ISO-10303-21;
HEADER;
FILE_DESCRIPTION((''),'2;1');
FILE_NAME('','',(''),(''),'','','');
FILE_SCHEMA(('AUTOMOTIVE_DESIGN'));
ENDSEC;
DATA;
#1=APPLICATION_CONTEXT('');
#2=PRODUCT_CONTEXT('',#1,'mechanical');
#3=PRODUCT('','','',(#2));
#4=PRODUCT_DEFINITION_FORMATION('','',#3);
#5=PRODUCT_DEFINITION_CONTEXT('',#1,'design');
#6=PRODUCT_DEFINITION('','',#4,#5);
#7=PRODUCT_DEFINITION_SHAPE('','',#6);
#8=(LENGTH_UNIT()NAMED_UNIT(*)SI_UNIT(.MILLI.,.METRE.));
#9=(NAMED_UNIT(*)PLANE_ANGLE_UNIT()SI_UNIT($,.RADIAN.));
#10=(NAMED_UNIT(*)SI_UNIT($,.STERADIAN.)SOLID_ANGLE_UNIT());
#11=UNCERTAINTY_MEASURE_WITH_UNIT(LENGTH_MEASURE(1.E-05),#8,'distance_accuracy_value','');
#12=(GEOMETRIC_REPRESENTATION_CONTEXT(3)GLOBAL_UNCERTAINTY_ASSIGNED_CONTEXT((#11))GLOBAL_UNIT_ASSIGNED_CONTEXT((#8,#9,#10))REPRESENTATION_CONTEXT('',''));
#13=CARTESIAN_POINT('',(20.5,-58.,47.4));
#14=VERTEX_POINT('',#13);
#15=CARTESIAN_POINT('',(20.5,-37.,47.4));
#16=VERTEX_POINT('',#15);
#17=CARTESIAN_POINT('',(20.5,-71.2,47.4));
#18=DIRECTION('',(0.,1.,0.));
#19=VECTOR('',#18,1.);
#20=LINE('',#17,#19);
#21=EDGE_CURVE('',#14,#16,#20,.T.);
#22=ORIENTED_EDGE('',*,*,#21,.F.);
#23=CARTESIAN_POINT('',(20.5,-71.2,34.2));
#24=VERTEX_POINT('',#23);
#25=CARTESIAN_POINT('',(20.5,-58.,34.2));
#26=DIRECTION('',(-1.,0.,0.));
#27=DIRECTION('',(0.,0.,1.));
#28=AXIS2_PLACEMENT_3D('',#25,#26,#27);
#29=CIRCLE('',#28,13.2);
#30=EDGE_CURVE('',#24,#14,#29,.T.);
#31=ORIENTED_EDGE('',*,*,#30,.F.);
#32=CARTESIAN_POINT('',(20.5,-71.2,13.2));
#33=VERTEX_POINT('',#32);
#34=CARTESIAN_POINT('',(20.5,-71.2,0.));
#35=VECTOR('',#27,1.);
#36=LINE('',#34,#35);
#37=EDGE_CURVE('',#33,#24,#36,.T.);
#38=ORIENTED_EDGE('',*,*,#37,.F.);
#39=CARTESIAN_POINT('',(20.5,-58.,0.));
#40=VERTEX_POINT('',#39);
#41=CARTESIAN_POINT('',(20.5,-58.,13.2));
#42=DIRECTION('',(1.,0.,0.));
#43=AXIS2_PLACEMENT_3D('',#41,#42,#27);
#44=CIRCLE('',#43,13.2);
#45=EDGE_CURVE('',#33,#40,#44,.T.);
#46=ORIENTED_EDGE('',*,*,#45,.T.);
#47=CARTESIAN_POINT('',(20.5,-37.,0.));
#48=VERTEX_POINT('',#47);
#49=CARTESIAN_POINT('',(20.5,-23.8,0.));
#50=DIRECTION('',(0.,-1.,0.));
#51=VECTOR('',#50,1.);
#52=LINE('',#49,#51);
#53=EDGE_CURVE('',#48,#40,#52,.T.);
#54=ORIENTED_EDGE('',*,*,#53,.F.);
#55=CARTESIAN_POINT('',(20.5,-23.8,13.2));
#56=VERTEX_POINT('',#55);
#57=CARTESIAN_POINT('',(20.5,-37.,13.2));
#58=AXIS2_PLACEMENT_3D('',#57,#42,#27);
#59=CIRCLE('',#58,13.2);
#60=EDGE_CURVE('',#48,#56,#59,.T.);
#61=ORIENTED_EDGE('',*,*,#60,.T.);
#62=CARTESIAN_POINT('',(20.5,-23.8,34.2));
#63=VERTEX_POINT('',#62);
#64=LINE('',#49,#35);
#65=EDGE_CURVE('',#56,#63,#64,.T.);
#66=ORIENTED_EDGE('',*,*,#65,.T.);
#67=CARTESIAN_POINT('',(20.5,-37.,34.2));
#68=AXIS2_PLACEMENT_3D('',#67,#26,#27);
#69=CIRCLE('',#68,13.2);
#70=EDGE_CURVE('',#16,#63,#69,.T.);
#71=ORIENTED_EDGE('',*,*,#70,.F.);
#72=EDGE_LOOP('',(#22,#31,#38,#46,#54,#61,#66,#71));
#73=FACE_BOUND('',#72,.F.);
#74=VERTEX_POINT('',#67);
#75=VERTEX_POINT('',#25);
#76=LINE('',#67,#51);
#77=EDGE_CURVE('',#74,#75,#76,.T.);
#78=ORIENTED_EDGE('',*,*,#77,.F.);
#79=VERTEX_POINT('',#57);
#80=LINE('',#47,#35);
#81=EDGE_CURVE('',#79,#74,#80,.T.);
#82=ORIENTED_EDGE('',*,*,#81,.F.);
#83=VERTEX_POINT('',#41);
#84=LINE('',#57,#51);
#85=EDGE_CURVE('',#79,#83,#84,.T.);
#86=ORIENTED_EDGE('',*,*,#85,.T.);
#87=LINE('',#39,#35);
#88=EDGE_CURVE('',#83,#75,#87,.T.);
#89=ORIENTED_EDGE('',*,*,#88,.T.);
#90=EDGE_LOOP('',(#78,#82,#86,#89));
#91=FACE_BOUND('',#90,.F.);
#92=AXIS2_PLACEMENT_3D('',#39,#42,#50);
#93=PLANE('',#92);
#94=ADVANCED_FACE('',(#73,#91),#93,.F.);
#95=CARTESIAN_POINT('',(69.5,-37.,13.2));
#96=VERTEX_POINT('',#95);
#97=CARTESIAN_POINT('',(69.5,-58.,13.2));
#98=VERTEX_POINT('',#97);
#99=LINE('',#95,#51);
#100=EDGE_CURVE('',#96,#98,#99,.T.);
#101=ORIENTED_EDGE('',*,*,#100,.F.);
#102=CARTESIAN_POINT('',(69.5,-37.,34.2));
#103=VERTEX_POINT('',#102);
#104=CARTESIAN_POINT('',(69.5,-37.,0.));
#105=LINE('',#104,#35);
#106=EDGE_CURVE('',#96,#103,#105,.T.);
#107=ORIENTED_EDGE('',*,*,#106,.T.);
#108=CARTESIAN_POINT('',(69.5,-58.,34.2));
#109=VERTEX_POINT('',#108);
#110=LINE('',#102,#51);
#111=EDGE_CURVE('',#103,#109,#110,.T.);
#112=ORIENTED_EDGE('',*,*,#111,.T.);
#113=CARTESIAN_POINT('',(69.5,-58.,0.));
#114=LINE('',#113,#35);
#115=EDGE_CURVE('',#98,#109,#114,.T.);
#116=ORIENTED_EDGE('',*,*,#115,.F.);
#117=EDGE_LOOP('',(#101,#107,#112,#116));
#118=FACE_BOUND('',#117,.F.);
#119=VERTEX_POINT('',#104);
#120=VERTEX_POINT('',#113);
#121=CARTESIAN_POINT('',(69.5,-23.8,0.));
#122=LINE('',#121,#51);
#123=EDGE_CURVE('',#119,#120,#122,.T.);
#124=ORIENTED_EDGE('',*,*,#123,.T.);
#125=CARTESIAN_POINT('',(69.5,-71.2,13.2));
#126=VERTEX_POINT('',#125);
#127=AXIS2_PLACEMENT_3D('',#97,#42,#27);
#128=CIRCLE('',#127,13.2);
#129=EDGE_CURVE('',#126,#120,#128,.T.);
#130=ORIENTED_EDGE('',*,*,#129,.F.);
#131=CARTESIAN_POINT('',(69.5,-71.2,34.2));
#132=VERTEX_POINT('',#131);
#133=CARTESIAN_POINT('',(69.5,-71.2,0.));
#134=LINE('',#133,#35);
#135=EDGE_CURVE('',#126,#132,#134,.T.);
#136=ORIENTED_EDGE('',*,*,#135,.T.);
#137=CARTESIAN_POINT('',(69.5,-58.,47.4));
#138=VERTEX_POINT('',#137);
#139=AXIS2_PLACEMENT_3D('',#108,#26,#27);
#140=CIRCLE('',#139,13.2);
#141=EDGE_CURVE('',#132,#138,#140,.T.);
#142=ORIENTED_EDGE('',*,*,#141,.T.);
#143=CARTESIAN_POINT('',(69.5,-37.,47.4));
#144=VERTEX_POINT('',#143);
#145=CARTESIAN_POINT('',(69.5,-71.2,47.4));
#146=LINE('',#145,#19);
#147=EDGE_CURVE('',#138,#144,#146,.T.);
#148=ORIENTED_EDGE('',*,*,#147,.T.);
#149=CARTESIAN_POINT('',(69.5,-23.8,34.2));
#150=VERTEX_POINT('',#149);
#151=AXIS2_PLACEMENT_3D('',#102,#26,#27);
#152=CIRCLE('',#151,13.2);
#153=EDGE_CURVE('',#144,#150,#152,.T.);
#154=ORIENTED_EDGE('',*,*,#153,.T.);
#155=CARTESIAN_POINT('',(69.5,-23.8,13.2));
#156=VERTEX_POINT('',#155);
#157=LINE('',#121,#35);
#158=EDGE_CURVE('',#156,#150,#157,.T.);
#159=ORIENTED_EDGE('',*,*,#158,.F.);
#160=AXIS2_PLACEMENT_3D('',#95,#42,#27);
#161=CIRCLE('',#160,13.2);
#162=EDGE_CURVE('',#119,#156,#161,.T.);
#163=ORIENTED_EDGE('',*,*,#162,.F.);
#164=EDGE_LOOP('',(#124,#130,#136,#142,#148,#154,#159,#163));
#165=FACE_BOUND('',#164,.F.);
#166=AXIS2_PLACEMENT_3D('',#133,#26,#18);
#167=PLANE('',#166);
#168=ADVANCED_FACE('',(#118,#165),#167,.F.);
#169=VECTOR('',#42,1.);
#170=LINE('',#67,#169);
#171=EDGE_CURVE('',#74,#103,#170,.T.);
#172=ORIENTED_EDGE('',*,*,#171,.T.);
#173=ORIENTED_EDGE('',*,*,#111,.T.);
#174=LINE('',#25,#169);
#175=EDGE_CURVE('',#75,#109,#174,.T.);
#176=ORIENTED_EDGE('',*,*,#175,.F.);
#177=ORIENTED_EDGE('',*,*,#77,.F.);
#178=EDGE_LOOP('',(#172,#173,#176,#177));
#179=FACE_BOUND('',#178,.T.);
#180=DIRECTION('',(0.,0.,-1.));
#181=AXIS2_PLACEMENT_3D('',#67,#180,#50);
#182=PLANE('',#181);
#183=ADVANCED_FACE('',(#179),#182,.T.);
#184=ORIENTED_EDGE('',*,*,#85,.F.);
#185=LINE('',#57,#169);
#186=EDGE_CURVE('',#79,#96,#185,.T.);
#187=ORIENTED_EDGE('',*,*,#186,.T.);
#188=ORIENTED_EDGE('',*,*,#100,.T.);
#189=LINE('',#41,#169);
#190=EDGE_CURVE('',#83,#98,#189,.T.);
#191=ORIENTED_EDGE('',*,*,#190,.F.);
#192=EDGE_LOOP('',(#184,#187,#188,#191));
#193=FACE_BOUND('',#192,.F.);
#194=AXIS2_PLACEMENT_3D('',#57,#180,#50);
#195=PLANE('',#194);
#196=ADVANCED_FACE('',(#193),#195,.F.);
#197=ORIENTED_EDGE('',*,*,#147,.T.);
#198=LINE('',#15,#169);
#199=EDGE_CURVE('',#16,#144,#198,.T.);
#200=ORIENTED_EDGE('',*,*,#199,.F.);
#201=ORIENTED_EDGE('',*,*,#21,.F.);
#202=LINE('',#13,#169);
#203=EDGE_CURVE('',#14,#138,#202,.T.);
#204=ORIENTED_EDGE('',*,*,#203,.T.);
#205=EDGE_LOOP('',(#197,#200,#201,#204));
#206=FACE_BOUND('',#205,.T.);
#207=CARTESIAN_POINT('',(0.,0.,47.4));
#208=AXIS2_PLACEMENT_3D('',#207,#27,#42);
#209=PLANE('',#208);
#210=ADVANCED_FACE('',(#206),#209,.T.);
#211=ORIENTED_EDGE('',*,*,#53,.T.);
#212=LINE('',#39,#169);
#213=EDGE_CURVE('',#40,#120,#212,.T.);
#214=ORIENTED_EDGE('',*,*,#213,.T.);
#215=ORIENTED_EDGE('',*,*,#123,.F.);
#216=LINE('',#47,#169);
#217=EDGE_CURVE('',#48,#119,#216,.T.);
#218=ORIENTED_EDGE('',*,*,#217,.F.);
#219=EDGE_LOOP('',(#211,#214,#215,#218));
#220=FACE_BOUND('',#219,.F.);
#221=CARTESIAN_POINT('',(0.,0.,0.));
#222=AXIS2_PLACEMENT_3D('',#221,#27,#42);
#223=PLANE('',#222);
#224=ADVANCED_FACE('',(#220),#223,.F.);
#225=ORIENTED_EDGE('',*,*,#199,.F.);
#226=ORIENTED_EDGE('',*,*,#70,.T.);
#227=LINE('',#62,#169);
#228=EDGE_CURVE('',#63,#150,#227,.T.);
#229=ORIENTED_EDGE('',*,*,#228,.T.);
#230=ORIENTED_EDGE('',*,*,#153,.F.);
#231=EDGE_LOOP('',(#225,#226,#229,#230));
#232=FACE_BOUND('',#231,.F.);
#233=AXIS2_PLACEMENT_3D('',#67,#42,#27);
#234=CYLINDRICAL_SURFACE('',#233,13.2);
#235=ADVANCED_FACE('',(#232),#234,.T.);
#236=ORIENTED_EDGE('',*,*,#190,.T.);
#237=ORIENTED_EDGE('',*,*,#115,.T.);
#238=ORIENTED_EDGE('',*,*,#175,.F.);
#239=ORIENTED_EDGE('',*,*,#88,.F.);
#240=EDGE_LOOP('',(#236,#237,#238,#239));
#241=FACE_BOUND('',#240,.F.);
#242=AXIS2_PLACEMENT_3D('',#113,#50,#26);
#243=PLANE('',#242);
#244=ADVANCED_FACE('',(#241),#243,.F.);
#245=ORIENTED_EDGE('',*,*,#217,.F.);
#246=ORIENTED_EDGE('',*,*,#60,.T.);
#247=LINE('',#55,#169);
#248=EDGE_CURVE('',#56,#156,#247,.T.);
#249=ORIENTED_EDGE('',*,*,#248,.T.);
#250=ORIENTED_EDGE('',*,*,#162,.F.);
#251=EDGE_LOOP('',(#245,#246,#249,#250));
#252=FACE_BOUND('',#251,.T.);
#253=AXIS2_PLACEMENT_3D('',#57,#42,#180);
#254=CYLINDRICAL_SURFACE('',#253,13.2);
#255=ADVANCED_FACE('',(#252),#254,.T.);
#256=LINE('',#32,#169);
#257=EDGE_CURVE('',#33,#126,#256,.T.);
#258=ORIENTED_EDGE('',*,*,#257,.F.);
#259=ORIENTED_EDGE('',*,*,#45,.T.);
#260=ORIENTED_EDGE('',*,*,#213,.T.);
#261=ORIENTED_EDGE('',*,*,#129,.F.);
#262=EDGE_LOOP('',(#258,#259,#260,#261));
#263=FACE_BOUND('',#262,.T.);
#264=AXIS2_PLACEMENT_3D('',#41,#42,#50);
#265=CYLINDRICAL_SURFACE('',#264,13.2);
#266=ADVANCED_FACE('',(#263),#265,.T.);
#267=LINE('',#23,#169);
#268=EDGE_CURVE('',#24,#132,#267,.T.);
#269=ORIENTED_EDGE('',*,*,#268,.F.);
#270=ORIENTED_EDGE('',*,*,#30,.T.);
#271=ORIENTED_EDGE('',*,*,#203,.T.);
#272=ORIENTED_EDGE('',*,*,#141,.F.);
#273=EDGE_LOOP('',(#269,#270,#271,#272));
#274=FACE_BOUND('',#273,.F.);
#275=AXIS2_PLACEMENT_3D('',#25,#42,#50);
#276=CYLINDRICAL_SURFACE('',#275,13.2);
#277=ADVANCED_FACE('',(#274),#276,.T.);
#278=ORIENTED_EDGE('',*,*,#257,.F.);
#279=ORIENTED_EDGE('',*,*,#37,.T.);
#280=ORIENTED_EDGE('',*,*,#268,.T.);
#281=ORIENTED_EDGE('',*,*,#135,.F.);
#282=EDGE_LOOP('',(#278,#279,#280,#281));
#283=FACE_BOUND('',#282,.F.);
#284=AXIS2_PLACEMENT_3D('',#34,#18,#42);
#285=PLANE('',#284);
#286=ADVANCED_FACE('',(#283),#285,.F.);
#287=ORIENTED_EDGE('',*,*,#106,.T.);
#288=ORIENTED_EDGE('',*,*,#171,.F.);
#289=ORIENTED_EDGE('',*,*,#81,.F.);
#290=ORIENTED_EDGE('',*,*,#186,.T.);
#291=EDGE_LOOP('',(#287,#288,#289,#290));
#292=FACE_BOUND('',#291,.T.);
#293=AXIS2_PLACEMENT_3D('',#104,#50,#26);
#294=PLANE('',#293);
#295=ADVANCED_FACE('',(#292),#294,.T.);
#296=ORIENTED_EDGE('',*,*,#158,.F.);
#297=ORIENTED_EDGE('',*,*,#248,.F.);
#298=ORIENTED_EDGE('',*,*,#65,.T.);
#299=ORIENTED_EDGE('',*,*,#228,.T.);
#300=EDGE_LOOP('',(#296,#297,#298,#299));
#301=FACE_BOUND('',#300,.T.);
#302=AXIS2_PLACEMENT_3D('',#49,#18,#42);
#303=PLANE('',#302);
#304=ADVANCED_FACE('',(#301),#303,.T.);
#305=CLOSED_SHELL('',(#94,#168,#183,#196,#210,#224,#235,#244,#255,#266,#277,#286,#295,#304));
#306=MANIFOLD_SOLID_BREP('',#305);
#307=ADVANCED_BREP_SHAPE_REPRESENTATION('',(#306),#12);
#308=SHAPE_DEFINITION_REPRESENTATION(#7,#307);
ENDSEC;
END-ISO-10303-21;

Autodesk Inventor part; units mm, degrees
ref_plane "YZ Plane" through (0, 0, 0) normal (1, 0, 0) x (0, 1, 0)
ref_plane "XZ Plane" through (0, 0, 0) normal (0, 1, 0) x (-1, 0, 0)
ref_plane "XY Plane" through (0, 0, 0) normal (0, 0, 1) x (1, 0, 0)
sketch "Sketch1" plane through (0, 0, 0) normal (0, 0, 1) x (1, 0, 0)
  point P0 (0, 0)
sketch "LAYER1" plane through (0, 0, 0) normal (0, 0, 1) x (1, 0, 0)
  line L0 (70, 20.5) -> (90, 20.5)
  line L1 (90, 20.5) -> (90, 57.5)
  line L2 (90, 57.5) -> (0, 57.5)
  line L3 (0, 57.5) -> (0, -57.5)
  line L4 (0, -57.5) -> (90, -57.5)
  line L5 (90, -57.5) -> (90, -20.5)
  line L6 (90, -20.5) -> (70, -20.5)
  line L7 (70, -20.5) -> (70, -37.5)
  line L8 (70, -37.5) -> (20, -37.5)
  line L9 (20, -37.5) -> (20, 37.5)
  line L10 (20, 37.5) -> (70, 37.5)
  line L11 (70, 37.5) -> (70, 20.5)
sketch "LAYER2" plane through (0, 0, 0) normal (0, 0, 1) x (1, 0, 0)
  line L0 (20.1, -20) -> (110.1, -20)
  line L1 (110.1, -20) -> (110.1, 20)
  line L2 (110.1, 20) -> (20.1, 20)
  line L3 (20.1, 20) -> (20.1, -20)
sketch "LAYER3" plane through (0, 0, 0) normal (0, 0, 1) x (1, 0, 0)
  line L0 (20.5, -71.2) -> (69.5, -71.2)
  line L1 (69.5, -71.2) -> (69.5, -58)
  line L2 (69.5, -58) -> (20.5, -58)
  line L3 (20.5, -58) -> (20.5, -71.2)
sketch "LAYER4" plane through (0, 0, 0) normal (0, 0, 1) x (1, 0, 0)
  line L0 (20.5, -23.8) -> (69.5, -23.8)
  line L1 (69.5, -23.8) -> (69.5, -37)
  line L2 (69.5, -37) -> (20.5, -37)
  line L3 (20.5, -37) -> (20.5, -23.8)
sketch "LAYER5" plane through (0, 0, 0) normal (0, 0, 1) x (1, 0, 0)
  line L0 (20.5, 23.8) -> (69.5, 23.8)
  line L1 (69.5, 23.8) -> (69.5, 37)
  line L2 (69.5, 37) -> (20.5, 37)
  line L3 (20.5, 37) -> (20.5, 23.8)
sketch "LAYER6" plane through (0, 0, 0) normal (0, 0, 1) x (1, 0, 0)
  line L0 (20.5, 71.2) -> (69.5, 71.2)
  line L1 (69.5, 71.2) -> (69.5, 58)
  line L2 (69.5, 58) -> (20.5, 58)
  line L3 (20.5, 58) -> (20.5, 71.2)
extrude "Extrusion3" add sketch "LAYER3" along normal blind 47.4
extrude "Extrusion4" add sketch "LAYER4" along normal blind 47.4
sketch "Sketch9" plane through (20.5, -37, 0) normal (-1, 0, 0) x (0, 0, 1)
  line L0 (0, 0) -> (47.4, 0) projected
  line L1 (0, -21) -> (47.4, -21) projected
  line L2 (47.4, 0) -> (47.4, -21)
  line L3 (0, 0) -> (0, -21)
  line L4 (13.2, 0) -> (13.2, -21)
  line L5 (34.2, 0) -> (34.2, -21)
  point P0 (0, 37)
  dimension "d12" = 13.2
  dimension "d13" = 13.2
extrude "Extrusion6" add sketch "Sketch9" against normal up to surface (49 mm away) contours L0 L4 L1 L3 | L0 L2 L1 L5
fillet "Fillet1" radius 13.2 4 edges at (45, -23.8, 47.4) (45, -71.2, 47.4) (45, -71.2, 0) (45, -23.8, 0)
properties part number "Winding"
